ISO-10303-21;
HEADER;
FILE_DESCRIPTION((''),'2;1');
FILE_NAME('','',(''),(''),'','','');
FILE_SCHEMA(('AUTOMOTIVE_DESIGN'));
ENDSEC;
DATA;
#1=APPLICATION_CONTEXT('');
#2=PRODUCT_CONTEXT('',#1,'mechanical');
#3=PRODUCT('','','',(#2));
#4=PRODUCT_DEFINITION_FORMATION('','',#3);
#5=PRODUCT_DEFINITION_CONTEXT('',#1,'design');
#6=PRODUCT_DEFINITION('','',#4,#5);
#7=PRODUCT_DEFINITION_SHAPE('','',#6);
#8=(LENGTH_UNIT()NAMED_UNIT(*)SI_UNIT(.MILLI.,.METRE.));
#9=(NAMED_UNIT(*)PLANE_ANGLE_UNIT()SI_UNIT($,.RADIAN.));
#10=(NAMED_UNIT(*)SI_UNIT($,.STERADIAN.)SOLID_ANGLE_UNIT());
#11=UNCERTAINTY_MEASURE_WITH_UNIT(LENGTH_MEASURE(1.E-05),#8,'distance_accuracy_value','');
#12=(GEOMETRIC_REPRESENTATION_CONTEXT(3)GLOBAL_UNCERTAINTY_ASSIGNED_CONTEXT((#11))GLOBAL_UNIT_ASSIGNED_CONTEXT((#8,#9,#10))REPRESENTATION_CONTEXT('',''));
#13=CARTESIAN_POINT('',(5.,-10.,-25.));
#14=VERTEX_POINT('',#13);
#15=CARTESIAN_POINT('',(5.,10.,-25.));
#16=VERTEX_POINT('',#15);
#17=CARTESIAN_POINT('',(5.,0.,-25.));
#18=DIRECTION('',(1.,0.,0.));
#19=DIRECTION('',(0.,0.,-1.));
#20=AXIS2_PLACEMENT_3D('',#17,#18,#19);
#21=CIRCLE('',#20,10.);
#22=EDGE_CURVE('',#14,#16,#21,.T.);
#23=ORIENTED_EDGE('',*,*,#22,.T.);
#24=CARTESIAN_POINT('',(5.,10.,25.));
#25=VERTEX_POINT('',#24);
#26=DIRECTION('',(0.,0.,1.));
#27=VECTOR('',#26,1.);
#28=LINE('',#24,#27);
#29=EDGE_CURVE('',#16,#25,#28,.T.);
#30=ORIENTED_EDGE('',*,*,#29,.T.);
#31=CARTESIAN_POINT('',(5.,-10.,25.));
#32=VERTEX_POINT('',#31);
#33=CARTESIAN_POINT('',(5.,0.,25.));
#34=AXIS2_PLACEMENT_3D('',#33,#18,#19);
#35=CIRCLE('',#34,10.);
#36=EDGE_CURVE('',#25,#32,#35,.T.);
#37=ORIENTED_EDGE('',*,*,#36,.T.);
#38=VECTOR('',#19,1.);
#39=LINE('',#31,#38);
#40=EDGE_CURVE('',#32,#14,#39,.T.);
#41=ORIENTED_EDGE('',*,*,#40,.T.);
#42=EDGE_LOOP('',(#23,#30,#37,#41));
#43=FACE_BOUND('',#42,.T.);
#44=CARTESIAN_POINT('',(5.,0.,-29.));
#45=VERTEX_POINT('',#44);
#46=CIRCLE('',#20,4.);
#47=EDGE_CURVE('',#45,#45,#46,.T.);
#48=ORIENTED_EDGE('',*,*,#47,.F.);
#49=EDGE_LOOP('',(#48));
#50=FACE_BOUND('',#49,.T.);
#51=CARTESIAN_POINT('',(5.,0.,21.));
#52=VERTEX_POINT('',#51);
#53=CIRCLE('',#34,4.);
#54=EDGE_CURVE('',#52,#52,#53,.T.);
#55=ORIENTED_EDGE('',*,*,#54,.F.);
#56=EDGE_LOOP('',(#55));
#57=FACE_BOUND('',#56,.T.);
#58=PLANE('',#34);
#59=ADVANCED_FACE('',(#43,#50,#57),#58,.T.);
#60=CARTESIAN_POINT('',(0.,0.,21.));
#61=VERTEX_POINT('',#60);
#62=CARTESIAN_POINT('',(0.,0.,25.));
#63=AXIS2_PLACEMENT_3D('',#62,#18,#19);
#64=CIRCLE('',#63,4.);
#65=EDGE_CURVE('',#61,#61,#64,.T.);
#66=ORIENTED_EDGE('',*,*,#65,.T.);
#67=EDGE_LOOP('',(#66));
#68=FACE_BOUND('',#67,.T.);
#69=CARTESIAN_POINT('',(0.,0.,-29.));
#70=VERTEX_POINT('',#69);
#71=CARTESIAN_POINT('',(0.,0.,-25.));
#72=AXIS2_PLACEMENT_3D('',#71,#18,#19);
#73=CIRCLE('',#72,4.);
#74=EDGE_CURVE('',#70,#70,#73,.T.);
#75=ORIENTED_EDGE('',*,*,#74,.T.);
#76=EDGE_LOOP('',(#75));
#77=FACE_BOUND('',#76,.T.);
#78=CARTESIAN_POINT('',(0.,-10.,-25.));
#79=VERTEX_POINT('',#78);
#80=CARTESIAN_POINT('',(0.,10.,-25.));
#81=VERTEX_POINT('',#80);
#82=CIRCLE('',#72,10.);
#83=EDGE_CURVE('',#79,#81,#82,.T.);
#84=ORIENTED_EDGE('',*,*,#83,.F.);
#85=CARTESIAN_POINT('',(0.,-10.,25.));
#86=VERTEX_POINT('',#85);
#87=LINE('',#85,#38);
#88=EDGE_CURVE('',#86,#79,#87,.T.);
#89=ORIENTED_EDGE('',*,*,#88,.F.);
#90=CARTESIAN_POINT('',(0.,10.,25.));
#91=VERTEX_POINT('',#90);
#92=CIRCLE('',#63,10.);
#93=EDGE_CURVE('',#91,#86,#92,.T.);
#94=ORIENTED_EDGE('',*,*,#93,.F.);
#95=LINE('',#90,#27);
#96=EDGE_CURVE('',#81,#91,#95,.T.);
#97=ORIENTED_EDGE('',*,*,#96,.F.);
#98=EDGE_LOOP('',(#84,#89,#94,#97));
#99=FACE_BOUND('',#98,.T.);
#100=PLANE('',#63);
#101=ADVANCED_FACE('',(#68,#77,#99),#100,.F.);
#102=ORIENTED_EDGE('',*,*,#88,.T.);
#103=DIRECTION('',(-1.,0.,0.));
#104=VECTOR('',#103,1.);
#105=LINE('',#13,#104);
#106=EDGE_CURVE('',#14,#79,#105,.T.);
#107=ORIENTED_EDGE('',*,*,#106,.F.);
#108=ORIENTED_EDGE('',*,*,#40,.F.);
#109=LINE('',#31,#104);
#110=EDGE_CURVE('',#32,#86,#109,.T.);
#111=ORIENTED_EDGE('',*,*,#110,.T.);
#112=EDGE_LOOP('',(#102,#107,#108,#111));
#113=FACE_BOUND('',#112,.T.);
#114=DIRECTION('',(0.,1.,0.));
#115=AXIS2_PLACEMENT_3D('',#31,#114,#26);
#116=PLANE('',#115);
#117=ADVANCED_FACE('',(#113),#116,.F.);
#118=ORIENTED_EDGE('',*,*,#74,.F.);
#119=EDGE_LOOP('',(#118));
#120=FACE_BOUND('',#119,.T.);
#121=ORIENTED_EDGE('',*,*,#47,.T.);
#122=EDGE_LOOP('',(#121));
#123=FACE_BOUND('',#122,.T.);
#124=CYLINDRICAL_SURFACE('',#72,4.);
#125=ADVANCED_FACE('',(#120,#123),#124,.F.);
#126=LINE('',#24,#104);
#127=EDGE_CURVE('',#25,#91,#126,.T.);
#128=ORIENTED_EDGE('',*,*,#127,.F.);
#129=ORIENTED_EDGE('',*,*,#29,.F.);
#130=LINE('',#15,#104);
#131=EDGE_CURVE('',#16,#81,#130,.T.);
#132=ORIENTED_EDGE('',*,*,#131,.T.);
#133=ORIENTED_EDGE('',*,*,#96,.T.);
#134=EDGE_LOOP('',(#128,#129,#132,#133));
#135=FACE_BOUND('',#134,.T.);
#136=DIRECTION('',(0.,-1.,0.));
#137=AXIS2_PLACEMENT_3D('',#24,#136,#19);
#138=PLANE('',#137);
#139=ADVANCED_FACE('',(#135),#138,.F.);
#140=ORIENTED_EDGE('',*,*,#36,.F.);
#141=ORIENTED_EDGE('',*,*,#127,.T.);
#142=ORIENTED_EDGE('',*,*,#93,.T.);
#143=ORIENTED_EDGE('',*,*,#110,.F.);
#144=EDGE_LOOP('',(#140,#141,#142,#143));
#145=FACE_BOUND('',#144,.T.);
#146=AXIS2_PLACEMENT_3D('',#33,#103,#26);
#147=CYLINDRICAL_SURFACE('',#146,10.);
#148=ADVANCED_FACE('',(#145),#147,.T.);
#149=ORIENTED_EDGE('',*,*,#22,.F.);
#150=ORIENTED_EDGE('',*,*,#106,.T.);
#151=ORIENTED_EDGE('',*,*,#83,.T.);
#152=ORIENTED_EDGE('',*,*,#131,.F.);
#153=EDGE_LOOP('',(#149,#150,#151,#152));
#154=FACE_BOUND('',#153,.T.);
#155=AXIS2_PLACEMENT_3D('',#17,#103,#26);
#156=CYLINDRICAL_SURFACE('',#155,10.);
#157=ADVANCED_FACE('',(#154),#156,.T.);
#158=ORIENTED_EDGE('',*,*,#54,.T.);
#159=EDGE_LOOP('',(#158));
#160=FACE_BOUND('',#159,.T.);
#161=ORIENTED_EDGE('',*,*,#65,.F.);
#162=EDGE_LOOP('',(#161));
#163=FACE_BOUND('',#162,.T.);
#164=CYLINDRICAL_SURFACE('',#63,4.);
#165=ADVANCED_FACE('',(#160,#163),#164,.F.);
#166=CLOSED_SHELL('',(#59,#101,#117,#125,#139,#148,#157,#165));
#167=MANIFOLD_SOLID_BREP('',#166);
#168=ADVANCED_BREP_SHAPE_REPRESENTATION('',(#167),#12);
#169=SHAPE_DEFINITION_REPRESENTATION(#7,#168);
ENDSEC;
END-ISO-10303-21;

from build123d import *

# Parameters (mm, degrees)
BOSS_EXTRUDE1_DEPTH = 5
SKETCH2_R           = 4
CUT_EXTRUDE1_DEPTH  = 6


with BuildPart() as part:
    # Sketch1 → Boss-Extrude1 (new body)
    with BuildSketch(Plane(origin=(0, 0, 0), x_dir=(0, 0, -1), z_dir=(1, 0, 0))):
        with BuildLine():
            Line((-25, 10), (25, 10))
            ThreePointArc((25, 10), (35, 0), (25, -10))
            Line((25, -10), (-25, -10))
            ThreePointArc((-25, -10), (-35, 0), (-25, 10))
        make_face()
    extrude(amount=BOSS_EXTRUDE1_DEPTH)

    # Sketch2 → Cut-Extrude1 (cut, through all)
    with BuildSketch(Plane(origin=(5, 0, 0), x_dir=(0, 0, -1), z_dir=(1, 0, 0))):
        with Locations((-25, 0)):
            Circle(SKETCH2_R)
        with Locations((25, 0)):
            Circle(SKETCH2_R)
    extrude(amount=-CUT_EXTRUDE1_DEPTH, mode=Mode.SUBTRACT)


solid = part.part
